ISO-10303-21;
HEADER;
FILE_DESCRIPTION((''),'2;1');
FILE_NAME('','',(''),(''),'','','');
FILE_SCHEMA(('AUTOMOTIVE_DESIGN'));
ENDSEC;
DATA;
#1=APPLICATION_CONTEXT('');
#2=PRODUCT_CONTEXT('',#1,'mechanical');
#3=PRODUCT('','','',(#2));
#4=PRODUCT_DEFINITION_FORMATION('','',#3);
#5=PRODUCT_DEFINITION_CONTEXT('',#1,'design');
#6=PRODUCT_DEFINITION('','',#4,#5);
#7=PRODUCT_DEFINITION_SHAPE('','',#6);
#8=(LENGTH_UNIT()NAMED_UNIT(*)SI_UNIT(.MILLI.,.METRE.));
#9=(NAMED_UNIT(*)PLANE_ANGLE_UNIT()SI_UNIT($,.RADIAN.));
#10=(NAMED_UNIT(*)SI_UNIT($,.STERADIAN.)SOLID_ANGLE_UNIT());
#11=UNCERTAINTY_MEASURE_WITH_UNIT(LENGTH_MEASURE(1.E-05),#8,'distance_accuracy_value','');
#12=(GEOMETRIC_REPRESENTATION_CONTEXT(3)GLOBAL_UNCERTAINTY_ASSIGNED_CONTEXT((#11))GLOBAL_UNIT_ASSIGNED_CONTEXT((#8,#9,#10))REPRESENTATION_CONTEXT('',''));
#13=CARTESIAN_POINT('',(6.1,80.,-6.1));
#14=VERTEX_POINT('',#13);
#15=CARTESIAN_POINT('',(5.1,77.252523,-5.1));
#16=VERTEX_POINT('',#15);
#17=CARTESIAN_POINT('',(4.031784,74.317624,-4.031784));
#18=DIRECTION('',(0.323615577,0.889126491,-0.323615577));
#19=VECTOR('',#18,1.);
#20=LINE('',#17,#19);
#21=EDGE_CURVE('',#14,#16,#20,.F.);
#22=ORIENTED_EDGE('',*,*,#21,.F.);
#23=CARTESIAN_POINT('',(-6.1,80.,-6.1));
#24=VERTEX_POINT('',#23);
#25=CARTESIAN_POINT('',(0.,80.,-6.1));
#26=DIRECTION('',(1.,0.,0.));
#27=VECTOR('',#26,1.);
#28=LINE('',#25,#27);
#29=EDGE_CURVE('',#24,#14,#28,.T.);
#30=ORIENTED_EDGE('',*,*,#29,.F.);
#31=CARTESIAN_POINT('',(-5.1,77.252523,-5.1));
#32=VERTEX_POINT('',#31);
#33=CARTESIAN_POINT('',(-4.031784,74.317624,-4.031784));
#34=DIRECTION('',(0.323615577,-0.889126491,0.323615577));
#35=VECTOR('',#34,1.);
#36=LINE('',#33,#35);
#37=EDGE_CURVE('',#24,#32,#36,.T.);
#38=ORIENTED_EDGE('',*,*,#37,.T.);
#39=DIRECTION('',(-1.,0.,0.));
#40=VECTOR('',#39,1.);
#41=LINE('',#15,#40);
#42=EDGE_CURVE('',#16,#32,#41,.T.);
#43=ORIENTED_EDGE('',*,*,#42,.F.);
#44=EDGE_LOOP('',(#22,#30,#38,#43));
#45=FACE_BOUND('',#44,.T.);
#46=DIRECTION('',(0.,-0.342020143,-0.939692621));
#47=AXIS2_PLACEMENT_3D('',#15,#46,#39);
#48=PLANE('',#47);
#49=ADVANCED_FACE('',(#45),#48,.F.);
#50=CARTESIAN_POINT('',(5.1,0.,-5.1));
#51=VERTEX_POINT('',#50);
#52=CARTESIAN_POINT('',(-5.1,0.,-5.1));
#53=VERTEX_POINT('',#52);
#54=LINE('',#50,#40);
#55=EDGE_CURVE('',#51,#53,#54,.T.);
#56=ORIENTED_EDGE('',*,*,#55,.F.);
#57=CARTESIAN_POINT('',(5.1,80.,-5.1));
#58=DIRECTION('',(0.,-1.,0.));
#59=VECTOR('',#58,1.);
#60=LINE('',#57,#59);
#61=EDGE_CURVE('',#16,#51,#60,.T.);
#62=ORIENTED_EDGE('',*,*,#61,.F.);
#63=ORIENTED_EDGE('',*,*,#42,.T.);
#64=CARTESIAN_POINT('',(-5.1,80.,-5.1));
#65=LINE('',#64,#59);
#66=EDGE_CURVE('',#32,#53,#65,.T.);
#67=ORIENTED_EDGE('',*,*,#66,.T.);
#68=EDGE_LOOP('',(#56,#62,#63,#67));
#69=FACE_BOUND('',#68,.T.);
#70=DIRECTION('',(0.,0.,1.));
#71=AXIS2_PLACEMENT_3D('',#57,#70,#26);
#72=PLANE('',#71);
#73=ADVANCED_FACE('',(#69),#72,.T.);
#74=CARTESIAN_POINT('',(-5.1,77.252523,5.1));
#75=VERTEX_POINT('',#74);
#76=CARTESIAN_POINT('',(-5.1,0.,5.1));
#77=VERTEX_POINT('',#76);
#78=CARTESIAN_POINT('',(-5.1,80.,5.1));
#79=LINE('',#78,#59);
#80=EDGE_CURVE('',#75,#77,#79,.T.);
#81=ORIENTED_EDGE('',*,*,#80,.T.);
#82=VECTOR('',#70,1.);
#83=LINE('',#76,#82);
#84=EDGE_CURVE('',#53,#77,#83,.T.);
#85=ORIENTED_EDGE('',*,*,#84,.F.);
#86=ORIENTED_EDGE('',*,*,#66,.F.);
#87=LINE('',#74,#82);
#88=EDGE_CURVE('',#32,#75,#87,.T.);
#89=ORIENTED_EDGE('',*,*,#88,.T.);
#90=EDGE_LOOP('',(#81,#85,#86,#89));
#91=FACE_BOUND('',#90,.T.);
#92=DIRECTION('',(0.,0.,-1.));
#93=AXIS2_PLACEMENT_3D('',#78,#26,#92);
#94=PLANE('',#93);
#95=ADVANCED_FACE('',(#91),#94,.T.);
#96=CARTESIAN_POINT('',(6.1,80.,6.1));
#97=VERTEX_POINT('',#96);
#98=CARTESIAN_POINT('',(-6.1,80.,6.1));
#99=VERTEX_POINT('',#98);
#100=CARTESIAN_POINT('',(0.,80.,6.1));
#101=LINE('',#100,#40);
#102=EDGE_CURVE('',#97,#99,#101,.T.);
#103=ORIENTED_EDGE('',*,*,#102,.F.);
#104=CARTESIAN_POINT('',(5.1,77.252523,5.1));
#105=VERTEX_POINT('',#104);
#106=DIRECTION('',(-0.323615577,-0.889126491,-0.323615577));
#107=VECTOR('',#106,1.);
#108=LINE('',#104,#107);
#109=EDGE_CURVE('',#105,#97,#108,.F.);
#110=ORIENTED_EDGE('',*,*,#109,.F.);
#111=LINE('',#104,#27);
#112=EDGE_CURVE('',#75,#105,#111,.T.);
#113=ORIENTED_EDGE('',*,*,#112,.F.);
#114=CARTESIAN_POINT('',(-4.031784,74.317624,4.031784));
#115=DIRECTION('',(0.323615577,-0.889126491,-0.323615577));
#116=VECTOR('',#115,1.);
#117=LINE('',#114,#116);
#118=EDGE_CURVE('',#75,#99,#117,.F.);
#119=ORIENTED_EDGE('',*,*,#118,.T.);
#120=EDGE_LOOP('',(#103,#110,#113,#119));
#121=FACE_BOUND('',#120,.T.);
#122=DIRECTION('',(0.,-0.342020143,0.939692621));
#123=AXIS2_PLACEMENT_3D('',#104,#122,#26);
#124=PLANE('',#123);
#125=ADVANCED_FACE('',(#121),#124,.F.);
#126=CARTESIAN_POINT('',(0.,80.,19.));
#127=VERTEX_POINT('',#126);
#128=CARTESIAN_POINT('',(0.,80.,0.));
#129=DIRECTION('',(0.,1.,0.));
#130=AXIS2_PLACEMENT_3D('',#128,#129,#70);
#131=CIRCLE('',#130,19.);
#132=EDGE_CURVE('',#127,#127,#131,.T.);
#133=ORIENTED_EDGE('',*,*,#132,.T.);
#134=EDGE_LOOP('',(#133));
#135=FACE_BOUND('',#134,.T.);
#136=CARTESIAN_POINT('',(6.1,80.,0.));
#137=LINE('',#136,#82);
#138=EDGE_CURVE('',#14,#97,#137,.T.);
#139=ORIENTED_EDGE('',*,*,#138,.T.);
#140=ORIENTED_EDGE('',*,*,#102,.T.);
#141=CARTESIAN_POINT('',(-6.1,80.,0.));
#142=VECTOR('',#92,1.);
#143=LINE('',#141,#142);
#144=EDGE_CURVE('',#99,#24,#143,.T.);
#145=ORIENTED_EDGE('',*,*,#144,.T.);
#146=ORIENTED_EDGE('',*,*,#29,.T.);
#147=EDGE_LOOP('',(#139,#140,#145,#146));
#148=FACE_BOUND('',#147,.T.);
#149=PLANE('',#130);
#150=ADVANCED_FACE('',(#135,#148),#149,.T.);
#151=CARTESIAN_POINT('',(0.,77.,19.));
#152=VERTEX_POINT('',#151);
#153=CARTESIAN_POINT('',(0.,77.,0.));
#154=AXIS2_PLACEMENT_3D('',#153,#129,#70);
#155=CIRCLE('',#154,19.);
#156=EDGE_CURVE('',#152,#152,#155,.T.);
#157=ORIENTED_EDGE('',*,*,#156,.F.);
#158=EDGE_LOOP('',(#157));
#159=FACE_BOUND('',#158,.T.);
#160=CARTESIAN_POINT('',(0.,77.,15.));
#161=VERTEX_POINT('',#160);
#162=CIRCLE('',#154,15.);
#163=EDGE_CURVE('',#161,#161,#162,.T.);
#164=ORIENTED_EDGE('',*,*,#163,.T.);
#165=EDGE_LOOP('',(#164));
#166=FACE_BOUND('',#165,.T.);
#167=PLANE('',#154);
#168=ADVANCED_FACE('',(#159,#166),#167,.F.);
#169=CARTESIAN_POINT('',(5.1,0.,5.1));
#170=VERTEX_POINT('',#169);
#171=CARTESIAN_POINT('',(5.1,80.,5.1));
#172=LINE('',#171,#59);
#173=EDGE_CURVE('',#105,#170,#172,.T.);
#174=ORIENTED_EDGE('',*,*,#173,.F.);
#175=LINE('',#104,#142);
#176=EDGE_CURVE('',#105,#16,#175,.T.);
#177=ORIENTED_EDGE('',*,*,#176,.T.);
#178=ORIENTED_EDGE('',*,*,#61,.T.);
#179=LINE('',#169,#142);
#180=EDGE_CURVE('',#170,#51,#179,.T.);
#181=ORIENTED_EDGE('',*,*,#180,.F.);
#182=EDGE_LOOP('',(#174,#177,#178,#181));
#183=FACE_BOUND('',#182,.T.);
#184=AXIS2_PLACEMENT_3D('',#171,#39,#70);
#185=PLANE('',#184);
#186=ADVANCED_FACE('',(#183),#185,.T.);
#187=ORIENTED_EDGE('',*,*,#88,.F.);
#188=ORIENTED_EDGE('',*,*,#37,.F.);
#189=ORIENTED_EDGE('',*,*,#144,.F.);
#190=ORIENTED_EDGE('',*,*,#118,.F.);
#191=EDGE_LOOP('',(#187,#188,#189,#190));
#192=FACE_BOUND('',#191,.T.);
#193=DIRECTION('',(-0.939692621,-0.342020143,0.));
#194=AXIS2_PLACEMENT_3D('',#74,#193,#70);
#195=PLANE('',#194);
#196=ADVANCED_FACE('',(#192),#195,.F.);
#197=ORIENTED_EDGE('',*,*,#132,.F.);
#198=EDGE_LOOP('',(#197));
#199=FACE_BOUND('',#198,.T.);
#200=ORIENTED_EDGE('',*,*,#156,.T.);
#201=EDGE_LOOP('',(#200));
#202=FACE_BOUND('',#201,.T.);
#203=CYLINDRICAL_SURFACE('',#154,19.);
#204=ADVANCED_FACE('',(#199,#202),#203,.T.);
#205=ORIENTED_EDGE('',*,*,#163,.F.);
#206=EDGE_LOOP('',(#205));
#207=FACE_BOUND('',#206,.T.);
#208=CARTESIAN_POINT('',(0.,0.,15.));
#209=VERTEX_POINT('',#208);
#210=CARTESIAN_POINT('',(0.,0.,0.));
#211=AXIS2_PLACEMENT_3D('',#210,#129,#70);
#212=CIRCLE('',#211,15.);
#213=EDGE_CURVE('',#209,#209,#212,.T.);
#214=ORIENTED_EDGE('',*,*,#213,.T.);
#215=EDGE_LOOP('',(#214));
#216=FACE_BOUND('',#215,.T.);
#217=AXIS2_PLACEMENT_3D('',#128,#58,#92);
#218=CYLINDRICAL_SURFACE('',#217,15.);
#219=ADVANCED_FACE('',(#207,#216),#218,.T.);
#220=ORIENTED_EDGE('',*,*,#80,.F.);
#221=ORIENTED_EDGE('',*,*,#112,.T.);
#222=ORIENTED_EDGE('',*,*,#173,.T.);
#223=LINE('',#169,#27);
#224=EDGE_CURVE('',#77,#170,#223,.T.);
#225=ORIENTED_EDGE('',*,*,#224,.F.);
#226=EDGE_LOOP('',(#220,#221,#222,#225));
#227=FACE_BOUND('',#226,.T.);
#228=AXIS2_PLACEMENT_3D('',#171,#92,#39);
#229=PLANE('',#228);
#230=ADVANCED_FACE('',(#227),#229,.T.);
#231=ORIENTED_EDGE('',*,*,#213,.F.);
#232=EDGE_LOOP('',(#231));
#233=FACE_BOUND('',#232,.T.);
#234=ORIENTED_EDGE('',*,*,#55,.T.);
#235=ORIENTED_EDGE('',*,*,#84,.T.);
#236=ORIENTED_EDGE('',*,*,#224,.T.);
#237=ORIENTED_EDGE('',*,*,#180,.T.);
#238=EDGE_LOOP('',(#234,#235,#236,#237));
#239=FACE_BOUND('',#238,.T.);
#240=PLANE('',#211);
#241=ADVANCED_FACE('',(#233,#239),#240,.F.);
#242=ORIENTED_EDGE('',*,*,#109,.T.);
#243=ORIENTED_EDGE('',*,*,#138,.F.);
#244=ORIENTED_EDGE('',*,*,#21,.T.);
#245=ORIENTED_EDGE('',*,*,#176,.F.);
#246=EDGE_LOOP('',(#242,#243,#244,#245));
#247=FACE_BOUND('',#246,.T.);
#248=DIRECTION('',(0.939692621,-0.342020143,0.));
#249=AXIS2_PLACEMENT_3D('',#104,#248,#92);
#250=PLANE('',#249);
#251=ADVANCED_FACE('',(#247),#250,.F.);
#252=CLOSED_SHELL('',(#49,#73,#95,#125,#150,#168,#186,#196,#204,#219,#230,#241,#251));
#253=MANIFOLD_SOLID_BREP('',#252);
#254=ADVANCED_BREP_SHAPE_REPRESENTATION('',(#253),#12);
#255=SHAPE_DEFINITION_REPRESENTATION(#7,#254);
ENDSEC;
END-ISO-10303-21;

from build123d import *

# Parameters (mm, degrees)
SKETCH_1_R          = 15
SKETCH_1_W          = 10.2
SKETCH_1_H          = 10.2
EXTRUDE_1_DEPTH     = 80
SKETCH1_R           = 19
SKETCH1_W           = 10.2
SKETCH1_H           = 10.2
BOSS_EXTRUDE1_DEPTH = 3
CHAMFER1_SIZE       = 1
CHAMFER1_SIZE2      = 2.747477419


with BuildPart() as part:
    # Эскиз1 → Бобышка-Вытянуть1 (new body)
    with BuildSketch(Plane(origin=(0, 0, 0), x_dir=(1, 0, 0), z_dir=(0, 1, 0))):
        Circle(SKETCH_1_R)
        Rectangle(SKETCH_1_W, SKETCH_1_H, mode=Mode.SUBTRACT)
    extrude(amount=EXTRUDE_1_DEPTH)

    # Sketch1 → Boss-Extrude1 (add)
    with BuildSketch(Plane(origin=(0, 80, 0), x_dir=(1, 0, 0), z_dir=(0, 1, 0))):
        Circle(SKETCH1_R)
        Rectangle(SKETCH1_W, SKETCH1_H, mode=Mode.SUBTRACT)
    extrude(amount=-BOSS_EXTRUDE1_DEPTH)

    # Chamfer1
    chamfer1_edges = [part.edges().sort_by_distance(p)[0] for p in [
        (0, 80, -5.1),
        (-5.1, 80, 0),
        (0, 80, 5.1),
        (5.1, 80, 0),
    ]]
    chamfer1_side = [part.faces().sort_by_distance(p)[0] for p in [
        (-18.462598846, 80, 0),
    ]]
    chamfer(chamfer1_edges, length=CHAMFER1_SIZE, length2=CHAMFER1_SIZE2, reference=chamfer1_side[0])


solid = part.part
